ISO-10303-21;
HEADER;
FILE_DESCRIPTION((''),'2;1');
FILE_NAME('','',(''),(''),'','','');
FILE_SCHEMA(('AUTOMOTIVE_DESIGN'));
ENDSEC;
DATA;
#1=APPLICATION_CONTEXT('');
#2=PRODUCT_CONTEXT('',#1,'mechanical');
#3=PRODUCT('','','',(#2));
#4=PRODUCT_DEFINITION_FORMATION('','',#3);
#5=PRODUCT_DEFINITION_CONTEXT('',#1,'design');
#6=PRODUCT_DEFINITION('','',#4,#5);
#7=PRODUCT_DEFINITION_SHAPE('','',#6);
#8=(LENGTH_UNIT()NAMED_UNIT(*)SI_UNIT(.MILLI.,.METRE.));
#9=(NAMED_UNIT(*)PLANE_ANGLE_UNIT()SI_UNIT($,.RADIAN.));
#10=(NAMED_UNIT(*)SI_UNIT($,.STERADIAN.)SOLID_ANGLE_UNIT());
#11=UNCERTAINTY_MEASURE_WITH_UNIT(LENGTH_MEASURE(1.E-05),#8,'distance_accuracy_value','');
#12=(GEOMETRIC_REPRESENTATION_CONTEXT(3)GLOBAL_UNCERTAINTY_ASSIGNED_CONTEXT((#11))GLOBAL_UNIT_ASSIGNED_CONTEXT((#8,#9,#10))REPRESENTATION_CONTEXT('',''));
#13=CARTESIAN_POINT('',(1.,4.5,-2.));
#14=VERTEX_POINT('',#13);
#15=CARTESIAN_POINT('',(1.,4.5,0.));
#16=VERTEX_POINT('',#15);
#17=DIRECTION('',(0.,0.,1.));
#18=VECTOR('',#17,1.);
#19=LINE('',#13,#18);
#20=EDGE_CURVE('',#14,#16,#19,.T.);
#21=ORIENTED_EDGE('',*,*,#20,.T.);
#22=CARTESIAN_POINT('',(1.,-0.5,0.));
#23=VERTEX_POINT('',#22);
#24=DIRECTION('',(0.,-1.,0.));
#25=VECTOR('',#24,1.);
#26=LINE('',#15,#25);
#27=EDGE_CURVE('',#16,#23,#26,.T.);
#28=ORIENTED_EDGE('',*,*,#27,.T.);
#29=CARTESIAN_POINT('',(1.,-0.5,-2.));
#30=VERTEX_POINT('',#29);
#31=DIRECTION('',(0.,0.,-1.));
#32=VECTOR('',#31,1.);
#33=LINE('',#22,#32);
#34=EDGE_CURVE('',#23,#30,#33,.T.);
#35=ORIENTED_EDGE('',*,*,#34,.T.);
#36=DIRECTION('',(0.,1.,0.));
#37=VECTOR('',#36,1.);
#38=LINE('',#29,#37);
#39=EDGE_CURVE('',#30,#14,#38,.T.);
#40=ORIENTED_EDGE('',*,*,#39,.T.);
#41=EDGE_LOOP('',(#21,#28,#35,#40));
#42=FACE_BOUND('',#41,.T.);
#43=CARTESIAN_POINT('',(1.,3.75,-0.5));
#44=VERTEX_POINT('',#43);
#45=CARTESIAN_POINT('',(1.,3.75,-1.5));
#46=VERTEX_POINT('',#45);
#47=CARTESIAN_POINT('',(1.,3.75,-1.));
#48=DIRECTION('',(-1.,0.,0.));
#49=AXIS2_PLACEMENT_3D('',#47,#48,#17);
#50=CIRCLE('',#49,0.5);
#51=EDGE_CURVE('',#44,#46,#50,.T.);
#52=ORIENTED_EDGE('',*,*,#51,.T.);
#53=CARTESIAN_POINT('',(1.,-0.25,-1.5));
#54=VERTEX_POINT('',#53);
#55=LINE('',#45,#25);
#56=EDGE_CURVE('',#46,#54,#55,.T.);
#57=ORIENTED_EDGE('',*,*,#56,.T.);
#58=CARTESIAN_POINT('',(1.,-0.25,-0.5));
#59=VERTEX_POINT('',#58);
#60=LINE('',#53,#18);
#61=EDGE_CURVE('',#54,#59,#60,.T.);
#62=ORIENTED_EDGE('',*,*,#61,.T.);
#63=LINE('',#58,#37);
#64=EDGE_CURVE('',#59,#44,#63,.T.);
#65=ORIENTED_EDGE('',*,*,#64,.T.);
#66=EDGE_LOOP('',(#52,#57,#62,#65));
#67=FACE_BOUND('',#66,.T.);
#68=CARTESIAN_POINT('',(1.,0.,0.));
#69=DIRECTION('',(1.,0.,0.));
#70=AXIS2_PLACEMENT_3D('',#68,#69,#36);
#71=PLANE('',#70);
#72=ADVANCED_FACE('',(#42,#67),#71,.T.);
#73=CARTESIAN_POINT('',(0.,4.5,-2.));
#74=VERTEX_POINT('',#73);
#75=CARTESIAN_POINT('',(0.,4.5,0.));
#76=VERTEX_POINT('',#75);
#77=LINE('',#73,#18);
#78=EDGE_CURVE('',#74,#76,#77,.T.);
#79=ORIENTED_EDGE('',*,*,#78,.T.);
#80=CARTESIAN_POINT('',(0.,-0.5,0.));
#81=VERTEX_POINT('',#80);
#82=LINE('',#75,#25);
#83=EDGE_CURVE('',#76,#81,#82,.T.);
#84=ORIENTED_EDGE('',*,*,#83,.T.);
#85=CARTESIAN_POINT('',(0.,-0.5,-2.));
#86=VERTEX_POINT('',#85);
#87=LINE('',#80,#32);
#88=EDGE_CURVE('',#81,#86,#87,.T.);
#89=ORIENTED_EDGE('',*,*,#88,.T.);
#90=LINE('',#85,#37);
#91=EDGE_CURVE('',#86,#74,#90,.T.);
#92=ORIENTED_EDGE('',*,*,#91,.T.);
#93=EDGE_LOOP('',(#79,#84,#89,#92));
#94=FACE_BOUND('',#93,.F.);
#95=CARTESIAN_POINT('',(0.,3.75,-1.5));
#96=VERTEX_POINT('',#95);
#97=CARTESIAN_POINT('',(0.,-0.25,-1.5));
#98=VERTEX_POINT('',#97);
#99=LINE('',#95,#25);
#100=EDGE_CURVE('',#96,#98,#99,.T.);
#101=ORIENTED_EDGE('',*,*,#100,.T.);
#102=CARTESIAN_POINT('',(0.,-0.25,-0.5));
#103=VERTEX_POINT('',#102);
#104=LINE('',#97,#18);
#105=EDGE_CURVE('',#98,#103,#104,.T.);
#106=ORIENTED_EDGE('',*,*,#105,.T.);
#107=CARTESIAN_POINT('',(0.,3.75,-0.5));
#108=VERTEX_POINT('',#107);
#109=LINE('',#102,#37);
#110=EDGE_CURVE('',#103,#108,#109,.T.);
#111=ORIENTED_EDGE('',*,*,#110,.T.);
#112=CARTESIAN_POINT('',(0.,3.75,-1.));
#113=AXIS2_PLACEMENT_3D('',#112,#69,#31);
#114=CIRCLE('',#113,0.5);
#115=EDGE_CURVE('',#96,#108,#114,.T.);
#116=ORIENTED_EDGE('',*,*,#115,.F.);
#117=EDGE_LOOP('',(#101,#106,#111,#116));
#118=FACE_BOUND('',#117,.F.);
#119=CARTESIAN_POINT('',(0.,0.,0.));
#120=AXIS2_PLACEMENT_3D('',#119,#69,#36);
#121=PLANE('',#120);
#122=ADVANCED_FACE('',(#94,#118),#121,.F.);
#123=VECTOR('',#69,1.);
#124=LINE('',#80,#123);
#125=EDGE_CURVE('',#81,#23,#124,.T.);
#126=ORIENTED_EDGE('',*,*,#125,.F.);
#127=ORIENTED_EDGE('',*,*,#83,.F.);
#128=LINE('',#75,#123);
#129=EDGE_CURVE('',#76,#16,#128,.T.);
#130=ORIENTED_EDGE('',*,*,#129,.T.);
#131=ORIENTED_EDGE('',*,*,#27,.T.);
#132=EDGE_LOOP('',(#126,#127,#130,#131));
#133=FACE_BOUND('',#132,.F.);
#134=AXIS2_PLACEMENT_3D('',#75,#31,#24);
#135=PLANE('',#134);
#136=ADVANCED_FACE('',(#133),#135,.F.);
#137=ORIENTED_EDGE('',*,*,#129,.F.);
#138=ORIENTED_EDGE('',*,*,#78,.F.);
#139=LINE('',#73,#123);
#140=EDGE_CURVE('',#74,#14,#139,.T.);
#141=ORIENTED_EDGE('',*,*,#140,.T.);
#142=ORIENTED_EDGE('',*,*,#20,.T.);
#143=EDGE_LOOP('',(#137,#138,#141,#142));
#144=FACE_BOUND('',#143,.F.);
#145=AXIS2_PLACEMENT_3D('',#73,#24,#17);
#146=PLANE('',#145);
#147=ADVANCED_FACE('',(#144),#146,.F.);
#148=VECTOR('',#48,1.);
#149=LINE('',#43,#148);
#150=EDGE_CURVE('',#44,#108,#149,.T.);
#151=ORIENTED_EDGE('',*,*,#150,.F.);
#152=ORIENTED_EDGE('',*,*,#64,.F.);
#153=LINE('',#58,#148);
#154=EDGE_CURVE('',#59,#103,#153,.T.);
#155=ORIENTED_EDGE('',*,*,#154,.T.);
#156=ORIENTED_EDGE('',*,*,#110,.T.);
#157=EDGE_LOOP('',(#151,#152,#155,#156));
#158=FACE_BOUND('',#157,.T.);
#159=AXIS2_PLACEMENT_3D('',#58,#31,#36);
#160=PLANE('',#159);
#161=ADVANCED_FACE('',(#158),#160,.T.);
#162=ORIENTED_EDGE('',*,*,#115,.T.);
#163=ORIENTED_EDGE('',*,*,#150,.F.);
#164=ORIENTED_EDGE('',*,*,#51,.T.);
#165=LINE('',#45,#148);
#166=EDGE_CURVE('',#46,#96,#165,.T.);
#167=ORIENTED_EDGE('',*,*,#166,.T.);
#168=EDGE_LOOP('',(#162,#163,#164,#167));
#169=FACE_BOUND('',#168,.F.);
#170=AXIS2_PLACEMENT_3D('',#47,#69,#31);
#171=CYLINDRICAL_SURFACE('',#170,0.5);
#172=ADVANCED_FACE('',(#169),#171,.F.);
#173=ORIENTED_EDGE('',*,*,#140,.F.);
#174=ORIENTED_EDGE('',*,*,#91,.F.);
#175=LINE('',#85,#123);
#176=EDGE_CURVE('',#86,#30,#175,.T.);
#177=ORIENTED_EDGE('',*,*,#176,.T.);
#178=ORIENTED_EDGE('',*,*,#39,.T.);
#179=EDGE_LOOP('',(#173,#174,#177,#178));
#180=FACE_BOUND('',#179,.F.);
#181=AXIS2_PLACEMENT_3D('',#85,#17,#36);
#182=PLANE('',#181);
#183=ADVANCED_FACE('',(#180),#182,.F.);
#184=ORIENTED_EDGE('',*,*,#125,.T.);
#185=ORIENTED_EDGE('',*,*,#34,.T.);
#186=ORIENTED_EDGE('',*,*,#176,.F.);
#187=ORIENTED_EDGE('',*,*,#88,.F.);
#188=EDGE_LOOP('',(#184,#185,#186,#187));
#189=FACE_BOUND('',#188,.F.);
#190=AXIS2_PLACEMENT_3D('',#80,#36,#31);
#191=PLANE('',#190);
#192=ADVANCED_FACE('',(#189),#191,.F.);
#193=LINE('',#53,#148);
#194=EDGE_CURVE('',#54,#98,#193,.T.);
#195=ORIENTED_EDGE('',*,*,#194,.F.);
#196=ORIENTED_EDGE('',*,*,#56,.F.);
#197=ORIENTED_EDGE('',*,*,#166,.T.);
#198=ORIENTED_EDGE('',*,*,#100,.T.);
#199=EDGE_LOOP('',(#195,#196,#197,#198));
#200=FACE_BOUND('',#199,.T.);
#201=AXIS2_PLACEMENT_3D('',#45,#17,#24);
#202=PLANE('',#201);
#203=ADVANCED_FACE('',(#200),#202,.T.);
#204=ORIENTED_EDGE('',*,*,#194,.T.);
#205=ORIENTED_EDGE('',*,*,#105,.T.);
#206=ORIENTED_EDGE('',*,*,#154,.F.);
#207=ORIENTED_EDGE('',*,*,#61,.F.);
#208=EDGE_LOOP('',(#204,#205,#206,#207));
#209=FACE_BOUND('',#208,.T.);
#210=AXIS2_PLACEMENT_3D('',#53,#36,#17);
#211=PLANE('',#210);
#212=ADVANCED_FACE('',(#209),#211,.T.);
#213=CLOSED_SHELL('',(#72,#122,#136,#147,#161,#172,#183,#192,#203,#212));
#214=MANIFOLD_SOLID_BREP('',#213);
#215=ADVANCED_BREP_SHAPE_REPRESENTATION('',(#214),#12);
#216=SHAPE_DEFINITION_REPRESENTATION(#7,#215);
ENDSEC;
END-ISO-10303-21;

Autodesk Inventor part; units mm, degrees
ref_plane "YZ Plane" through (0, 0, 0) normal (1, 0, 0) x (0, 1, 0)
ref_plane "XZ Plane" through (0, 0, 0) normal (0, 1, 0) x (-1, 0, 0)
ref_plane "XY Plane" through (0, 0, 0) normal (0, 0, 1) x (1, 0, 0)
sketch "스케치1" plane through (0, 0, 0) normal (1, 0, 0) x (0, 1, 0)
  line L0 (4.5, 0) -> (-0.5, 0)
  line L1 (-0.5, 0) -> (-0.5, -2)
  line L2 (-0.5, -2) -> (4.5, -2)
  line L3 (4.5, -2) -> (4.5, 0)
  point P0 (0, 0)
  dimension "d0" = 5
  dimension "d1" = 2
  dimension "d2" = 4.5
  dimension "d3" = 2
extrude "돌출1" add sketch "스케치1" along normal blind 1
sketch "스케치3" plane through (1, 0, 0) normal (1, 0, 0) x (0, 0, -1)
  line L0 (1, 4.25) -> (1, 4.25)
  line L1 (1.5, 3.75) -> (1.5, -0.25)
  line L2 (1.5, -0.25) -> (0.5, -0.25)
  line L3 (0.5, -0.25) -> (0.5, 3.75)
  arc A0 (1, 4.25) -> (0.5, 3.75) centre (1, 3.75) ccw
  arc A1 (1.5, 3.75) -> (1, 4.25) centre (1, 3.75) ccw
  point P0 (0, 0)
  point P1 (0.5, 4.25)
  point P2 (1.5, 4.25)
  dimension "d13" = 1
  dimension "d14" = 4.5
  dimension "d15" = 4.25
  dimension "d16" = 1.5
  dimension "d19" = 0.5
extrude "돌출2" cut sketch "스케치3" against normal blind 1
properties part number "뚫린 직육면체"
